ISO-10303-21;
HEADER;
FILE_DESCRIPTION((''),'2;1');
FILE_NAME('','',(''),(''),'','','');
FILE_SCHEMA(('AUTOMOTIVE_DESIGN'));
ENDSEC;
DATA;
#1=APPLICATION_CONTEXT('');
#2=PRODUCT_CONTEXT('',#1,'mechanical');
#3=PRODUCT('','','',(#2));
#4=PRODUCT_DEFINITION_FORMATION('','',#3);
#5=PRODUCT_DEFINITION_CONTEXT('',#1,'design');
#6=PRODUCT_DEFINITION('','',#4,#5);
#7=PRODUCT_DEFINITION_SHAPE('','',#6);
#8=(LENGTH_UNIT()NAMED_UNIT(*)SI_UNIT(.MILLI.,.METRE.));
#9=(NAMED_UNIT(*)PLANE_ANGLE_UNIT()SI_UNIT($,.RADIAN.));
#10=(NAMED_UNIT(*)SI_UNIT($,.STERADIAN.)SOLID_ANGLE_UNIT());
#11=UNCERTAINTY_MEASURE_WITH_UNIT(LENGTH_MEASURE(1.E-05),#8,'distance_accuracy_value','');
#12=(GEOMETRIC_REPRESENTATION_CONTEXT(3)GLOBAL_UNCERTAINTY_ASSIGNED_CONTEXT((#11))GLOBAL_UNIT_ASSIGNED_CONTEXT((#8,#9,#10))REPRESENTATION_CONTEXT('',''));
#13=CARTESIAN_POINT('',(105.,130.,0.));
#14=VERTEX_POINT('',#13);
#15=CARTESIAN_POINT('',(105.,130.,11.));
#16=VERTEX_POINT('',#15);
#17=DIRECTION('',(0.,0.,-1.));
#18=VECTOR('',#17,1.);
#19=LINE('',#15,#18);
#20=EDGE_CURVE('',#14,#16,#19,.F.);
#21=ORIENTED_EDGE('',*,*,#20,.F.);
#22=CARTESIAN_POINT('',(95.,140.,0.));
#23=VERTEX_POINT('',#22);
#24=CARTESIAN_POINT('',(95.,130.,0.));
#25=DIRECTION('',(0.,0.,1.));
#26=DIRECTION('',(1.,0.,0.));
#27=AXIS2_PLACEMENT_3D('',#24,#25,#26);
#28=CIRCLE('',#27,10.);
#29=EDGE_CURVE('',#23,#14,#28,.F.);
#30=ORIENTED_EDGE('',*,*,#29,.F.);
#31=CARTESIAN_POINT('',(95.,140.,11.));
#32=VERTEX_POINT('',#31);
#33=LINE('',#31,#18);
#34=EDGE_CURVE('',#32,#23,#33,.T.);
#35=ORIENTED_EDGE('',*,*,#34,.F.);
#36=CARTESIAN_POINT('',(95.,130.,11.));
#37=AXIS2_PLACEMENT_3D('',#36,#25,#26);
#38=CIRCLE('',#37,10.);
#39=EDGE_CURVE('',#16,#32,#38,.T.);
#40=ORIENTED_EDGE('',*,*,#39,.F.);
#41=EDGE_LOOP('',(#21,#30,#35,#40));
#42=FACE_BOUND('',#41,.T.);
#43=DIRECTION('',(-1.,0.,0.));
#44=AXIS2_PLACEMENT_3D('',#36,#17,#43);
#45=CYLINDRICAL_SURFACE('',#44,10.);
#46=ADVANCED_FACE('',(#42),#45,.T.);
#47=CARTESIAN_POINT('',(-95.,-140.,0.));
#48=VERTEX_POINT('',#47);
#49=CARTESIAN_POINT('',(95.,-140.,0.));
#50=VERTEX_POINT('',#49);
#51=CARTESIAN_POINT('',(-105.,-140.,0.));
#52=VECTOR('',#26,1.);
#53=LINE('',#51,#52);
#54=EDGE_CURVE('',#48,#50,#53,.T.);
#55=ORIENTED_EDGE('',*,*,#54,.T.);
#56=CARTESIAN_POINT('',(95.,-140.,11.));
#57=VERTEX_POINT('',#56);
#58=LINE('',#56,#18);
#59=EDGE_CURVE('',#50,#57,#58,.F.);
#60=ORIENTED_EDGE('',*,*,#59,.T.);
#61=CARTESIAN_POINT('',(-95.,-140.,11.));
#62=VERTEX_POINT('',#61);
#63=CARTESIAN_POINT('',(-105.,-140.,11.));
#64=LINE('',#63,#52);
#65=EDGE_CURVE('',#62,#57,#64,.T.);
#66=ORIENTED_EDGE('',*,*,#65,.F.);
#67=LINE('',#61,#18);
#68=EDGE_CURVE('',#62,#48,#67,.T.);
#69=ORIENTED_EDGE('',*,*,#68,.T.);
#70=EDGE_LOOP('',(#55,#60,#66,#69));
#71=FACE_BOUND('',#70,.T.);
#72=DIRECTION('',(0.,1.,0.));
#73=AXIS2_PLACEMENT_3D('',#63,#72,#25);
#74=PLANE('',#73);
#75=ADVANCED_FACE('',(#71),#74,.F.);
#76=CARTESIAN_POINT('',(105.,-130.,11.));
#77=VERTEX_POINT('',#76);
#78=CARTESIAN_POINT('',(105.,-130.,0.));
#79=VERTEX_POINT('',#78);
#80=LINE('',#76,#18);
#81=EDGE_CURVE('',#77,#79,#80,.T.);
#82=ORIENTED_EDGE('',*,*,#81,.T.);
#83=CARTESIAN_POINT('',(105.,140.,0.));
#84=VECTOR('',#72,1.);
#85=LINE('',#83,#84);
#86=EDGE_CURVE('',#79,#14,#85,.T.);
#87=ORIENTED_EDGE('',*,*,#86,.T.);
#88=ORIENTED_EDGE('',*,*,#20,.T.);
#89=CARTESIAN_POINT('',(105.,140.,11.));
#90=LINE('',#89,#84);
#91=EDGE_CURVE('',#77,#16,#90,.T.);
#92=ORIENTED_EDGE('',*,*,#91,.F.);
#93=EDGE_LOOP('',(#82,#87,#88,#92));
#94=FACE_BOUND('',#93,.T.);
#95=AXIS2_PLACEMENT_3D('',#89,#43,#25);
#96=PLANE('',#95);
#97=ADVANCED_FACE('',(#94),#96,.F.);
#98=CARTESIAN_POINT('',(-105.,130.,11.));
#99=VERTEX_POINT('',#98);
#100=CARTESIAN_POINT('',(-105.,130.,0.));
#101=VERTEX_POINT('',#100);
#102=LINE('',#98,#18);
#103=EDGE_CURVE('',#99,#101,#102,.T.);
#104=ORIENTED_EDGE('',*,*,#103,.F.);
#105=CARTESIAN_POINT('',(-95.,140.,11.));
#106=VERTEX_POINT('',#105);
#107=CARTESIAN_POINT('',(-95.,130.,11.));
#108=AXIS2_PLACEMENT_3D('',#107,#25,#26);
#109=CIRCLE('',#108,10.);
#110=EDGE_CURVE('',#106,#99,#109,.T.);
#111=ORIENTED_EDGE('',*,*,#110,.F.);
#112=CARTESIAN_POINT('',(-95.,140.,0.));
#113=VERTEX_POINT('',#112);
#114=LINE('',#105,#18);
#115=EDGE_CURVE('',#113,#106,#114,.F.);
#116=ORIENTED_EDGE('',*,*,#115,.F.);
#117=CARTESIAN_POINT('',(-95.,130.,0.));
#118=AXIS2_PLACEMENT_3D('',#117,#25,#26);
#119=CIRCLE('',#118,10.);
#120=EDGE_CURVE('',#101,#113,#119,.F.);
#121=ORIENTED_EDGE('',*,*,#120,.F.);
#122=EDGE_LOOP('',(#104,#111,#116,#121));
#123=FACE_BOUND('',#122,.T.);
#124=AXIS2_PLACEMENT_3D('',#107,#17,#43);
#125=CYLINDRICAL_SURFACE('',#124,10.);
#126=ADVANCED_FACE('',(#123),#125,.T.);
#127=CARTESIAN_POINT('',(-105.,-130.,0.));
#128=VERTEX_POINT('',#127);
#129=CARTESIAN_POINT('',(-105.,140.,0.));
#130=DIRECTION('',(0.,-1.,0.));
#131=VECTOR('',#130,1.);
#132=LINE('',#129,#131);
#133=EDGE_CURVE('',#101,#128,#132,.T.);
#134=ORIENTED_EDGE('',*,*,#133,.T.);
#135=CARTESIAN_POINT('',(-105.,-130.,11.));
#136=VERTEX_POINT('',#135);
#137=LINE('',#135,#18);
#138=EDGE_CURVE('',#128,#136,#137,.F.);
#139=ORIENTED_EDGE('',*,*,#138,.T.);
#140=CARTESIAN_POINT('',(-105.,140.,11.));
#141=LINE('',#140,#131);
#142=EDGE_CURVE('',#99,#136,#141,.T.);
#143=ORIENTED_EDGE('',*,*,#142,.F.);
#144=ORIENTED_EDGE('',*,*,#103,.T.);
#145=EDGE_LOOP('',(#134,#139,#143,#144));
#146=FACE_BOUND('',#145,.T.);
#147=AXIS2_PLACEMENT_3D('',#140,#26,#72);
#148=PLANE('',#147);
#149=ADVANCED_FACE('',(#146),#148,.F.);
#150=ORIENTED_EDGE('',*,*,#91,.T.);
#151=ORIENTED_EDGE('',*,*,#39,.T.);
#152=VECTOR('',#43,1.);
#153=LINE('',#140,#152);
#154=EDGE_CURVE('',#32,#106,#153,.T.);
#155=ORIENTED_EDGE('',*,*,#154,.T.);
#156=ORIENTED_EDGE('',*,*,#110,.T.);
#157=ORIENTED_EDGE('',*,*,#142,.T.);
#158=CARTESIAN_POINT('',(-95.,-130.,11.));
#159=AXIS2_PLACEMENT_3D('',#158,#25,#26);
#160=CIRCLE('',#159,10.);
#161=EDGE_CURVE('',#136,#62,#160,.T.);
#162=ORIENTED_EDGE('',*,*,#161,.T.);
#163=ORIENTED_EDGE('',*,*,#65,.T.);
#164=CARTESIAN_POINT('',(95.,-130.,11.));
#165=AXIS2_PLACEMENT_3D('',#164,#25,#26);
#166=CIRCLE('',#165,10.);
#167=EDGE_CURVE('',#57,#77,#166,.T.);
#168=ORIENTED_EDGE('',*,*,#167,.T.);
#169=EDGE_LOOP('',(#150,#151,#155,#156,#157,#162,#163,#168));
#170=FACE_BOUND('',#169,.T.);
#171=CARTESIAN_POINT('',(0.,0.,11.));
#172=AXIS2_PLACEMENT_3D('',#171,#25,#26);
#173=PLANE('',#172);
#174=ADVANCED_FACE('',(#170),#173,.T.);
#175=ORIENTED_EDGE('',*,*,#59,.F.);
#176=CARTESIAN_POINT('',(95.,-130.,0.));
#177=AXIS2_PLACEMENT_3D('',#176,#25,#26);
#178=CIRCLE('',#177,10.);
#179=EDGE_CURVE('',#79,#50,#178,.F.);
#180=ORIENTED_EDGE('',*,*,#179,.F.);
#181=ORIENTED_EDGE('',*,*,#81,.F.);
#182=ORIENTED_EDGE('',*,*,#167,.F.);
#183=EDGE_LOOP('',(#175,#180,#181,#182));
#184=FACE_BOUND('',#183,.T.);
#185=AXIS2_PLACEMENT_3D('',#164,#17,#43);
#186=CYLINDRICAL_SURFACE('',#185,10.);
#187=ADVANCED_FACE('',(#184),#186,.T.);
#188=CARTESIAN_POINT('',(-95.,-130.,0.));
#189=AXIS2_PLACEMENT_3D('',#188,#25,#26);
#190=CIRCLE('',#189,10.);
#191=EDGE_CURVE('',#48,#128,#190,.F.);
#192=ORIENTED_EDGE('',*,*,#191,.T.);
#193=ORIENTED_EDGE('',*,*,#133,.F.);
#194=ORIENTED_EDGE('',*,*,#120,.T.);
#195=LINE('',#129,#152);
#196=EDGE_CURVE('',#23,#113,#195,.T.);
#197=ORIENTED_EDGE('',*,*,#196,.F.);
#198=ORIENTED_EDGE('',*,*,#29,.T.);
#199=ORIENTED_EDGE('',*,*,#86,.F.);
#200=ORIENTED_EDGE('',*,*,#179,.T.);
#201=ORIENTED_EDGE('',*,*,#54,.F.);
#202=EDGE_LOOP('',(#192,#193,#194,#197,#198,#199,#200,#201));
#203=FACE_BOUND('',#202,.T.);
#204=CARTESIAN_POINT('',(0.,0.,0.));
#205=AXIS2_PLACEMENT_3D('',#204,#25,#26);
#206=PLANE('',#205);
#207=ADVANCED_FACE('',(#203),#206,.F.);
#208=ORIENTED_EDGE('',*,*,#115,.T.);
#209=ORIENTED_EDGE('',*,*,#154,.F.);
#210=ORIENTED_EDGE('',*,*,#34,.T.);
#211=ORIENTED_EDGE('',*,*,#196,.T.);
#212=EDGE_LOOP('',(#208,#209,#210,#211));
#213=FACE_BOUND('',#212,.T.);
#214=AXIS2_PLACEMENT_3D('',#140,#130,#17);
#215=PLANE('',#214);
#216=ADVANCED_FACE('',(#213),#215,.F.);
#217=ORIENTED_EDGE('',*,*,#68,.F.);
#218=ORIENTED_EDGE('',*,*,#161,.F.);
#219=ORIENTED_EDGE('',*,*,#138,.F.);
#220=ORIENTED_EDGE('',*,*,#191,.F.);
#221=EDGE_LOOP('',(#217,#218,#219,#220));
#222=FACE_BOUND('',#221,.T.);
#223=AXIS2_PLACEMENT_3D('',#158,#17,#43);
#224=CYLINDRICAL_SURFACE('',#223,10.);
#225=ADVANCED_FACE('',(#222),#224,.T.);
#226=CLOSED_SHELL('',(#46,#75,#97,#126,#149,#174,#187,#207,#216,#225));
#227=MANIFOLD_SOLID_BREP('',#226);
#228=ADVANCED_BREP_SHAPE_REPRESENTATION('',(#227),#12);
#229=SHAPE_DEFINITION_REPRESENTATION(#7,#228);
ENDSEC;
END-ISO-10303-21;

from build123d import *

# Parameters (mm, degrees)
SKETCH2_W           = 210
SKETCH2_H           = 280
BOSS_EXTRUDE1_DEPTH = 11
FILLET1_R           = 10


with BuildPart() as part:
    # Sketch2 → Boss-Extrude1 (new body)
    with BuildSketch(Plane.XY):
        Rectangle(SKETCH2_W, SKETCH2_H)
    extrude(amount=BOSS_EXTRUDE1_DEPTH)

    # Fillet1
    fillet1_edges = [part.edges().sort_by_distance(p)[0] for p in [
        (105, -140, 5.5),
        (-105, -140, 5.5),
        (-105, 140, 5.5),
        (105, 140, 5.5),
    ]]
    fillet(fillet1_edges, radius=FILLET1_R)


solid = part.part
